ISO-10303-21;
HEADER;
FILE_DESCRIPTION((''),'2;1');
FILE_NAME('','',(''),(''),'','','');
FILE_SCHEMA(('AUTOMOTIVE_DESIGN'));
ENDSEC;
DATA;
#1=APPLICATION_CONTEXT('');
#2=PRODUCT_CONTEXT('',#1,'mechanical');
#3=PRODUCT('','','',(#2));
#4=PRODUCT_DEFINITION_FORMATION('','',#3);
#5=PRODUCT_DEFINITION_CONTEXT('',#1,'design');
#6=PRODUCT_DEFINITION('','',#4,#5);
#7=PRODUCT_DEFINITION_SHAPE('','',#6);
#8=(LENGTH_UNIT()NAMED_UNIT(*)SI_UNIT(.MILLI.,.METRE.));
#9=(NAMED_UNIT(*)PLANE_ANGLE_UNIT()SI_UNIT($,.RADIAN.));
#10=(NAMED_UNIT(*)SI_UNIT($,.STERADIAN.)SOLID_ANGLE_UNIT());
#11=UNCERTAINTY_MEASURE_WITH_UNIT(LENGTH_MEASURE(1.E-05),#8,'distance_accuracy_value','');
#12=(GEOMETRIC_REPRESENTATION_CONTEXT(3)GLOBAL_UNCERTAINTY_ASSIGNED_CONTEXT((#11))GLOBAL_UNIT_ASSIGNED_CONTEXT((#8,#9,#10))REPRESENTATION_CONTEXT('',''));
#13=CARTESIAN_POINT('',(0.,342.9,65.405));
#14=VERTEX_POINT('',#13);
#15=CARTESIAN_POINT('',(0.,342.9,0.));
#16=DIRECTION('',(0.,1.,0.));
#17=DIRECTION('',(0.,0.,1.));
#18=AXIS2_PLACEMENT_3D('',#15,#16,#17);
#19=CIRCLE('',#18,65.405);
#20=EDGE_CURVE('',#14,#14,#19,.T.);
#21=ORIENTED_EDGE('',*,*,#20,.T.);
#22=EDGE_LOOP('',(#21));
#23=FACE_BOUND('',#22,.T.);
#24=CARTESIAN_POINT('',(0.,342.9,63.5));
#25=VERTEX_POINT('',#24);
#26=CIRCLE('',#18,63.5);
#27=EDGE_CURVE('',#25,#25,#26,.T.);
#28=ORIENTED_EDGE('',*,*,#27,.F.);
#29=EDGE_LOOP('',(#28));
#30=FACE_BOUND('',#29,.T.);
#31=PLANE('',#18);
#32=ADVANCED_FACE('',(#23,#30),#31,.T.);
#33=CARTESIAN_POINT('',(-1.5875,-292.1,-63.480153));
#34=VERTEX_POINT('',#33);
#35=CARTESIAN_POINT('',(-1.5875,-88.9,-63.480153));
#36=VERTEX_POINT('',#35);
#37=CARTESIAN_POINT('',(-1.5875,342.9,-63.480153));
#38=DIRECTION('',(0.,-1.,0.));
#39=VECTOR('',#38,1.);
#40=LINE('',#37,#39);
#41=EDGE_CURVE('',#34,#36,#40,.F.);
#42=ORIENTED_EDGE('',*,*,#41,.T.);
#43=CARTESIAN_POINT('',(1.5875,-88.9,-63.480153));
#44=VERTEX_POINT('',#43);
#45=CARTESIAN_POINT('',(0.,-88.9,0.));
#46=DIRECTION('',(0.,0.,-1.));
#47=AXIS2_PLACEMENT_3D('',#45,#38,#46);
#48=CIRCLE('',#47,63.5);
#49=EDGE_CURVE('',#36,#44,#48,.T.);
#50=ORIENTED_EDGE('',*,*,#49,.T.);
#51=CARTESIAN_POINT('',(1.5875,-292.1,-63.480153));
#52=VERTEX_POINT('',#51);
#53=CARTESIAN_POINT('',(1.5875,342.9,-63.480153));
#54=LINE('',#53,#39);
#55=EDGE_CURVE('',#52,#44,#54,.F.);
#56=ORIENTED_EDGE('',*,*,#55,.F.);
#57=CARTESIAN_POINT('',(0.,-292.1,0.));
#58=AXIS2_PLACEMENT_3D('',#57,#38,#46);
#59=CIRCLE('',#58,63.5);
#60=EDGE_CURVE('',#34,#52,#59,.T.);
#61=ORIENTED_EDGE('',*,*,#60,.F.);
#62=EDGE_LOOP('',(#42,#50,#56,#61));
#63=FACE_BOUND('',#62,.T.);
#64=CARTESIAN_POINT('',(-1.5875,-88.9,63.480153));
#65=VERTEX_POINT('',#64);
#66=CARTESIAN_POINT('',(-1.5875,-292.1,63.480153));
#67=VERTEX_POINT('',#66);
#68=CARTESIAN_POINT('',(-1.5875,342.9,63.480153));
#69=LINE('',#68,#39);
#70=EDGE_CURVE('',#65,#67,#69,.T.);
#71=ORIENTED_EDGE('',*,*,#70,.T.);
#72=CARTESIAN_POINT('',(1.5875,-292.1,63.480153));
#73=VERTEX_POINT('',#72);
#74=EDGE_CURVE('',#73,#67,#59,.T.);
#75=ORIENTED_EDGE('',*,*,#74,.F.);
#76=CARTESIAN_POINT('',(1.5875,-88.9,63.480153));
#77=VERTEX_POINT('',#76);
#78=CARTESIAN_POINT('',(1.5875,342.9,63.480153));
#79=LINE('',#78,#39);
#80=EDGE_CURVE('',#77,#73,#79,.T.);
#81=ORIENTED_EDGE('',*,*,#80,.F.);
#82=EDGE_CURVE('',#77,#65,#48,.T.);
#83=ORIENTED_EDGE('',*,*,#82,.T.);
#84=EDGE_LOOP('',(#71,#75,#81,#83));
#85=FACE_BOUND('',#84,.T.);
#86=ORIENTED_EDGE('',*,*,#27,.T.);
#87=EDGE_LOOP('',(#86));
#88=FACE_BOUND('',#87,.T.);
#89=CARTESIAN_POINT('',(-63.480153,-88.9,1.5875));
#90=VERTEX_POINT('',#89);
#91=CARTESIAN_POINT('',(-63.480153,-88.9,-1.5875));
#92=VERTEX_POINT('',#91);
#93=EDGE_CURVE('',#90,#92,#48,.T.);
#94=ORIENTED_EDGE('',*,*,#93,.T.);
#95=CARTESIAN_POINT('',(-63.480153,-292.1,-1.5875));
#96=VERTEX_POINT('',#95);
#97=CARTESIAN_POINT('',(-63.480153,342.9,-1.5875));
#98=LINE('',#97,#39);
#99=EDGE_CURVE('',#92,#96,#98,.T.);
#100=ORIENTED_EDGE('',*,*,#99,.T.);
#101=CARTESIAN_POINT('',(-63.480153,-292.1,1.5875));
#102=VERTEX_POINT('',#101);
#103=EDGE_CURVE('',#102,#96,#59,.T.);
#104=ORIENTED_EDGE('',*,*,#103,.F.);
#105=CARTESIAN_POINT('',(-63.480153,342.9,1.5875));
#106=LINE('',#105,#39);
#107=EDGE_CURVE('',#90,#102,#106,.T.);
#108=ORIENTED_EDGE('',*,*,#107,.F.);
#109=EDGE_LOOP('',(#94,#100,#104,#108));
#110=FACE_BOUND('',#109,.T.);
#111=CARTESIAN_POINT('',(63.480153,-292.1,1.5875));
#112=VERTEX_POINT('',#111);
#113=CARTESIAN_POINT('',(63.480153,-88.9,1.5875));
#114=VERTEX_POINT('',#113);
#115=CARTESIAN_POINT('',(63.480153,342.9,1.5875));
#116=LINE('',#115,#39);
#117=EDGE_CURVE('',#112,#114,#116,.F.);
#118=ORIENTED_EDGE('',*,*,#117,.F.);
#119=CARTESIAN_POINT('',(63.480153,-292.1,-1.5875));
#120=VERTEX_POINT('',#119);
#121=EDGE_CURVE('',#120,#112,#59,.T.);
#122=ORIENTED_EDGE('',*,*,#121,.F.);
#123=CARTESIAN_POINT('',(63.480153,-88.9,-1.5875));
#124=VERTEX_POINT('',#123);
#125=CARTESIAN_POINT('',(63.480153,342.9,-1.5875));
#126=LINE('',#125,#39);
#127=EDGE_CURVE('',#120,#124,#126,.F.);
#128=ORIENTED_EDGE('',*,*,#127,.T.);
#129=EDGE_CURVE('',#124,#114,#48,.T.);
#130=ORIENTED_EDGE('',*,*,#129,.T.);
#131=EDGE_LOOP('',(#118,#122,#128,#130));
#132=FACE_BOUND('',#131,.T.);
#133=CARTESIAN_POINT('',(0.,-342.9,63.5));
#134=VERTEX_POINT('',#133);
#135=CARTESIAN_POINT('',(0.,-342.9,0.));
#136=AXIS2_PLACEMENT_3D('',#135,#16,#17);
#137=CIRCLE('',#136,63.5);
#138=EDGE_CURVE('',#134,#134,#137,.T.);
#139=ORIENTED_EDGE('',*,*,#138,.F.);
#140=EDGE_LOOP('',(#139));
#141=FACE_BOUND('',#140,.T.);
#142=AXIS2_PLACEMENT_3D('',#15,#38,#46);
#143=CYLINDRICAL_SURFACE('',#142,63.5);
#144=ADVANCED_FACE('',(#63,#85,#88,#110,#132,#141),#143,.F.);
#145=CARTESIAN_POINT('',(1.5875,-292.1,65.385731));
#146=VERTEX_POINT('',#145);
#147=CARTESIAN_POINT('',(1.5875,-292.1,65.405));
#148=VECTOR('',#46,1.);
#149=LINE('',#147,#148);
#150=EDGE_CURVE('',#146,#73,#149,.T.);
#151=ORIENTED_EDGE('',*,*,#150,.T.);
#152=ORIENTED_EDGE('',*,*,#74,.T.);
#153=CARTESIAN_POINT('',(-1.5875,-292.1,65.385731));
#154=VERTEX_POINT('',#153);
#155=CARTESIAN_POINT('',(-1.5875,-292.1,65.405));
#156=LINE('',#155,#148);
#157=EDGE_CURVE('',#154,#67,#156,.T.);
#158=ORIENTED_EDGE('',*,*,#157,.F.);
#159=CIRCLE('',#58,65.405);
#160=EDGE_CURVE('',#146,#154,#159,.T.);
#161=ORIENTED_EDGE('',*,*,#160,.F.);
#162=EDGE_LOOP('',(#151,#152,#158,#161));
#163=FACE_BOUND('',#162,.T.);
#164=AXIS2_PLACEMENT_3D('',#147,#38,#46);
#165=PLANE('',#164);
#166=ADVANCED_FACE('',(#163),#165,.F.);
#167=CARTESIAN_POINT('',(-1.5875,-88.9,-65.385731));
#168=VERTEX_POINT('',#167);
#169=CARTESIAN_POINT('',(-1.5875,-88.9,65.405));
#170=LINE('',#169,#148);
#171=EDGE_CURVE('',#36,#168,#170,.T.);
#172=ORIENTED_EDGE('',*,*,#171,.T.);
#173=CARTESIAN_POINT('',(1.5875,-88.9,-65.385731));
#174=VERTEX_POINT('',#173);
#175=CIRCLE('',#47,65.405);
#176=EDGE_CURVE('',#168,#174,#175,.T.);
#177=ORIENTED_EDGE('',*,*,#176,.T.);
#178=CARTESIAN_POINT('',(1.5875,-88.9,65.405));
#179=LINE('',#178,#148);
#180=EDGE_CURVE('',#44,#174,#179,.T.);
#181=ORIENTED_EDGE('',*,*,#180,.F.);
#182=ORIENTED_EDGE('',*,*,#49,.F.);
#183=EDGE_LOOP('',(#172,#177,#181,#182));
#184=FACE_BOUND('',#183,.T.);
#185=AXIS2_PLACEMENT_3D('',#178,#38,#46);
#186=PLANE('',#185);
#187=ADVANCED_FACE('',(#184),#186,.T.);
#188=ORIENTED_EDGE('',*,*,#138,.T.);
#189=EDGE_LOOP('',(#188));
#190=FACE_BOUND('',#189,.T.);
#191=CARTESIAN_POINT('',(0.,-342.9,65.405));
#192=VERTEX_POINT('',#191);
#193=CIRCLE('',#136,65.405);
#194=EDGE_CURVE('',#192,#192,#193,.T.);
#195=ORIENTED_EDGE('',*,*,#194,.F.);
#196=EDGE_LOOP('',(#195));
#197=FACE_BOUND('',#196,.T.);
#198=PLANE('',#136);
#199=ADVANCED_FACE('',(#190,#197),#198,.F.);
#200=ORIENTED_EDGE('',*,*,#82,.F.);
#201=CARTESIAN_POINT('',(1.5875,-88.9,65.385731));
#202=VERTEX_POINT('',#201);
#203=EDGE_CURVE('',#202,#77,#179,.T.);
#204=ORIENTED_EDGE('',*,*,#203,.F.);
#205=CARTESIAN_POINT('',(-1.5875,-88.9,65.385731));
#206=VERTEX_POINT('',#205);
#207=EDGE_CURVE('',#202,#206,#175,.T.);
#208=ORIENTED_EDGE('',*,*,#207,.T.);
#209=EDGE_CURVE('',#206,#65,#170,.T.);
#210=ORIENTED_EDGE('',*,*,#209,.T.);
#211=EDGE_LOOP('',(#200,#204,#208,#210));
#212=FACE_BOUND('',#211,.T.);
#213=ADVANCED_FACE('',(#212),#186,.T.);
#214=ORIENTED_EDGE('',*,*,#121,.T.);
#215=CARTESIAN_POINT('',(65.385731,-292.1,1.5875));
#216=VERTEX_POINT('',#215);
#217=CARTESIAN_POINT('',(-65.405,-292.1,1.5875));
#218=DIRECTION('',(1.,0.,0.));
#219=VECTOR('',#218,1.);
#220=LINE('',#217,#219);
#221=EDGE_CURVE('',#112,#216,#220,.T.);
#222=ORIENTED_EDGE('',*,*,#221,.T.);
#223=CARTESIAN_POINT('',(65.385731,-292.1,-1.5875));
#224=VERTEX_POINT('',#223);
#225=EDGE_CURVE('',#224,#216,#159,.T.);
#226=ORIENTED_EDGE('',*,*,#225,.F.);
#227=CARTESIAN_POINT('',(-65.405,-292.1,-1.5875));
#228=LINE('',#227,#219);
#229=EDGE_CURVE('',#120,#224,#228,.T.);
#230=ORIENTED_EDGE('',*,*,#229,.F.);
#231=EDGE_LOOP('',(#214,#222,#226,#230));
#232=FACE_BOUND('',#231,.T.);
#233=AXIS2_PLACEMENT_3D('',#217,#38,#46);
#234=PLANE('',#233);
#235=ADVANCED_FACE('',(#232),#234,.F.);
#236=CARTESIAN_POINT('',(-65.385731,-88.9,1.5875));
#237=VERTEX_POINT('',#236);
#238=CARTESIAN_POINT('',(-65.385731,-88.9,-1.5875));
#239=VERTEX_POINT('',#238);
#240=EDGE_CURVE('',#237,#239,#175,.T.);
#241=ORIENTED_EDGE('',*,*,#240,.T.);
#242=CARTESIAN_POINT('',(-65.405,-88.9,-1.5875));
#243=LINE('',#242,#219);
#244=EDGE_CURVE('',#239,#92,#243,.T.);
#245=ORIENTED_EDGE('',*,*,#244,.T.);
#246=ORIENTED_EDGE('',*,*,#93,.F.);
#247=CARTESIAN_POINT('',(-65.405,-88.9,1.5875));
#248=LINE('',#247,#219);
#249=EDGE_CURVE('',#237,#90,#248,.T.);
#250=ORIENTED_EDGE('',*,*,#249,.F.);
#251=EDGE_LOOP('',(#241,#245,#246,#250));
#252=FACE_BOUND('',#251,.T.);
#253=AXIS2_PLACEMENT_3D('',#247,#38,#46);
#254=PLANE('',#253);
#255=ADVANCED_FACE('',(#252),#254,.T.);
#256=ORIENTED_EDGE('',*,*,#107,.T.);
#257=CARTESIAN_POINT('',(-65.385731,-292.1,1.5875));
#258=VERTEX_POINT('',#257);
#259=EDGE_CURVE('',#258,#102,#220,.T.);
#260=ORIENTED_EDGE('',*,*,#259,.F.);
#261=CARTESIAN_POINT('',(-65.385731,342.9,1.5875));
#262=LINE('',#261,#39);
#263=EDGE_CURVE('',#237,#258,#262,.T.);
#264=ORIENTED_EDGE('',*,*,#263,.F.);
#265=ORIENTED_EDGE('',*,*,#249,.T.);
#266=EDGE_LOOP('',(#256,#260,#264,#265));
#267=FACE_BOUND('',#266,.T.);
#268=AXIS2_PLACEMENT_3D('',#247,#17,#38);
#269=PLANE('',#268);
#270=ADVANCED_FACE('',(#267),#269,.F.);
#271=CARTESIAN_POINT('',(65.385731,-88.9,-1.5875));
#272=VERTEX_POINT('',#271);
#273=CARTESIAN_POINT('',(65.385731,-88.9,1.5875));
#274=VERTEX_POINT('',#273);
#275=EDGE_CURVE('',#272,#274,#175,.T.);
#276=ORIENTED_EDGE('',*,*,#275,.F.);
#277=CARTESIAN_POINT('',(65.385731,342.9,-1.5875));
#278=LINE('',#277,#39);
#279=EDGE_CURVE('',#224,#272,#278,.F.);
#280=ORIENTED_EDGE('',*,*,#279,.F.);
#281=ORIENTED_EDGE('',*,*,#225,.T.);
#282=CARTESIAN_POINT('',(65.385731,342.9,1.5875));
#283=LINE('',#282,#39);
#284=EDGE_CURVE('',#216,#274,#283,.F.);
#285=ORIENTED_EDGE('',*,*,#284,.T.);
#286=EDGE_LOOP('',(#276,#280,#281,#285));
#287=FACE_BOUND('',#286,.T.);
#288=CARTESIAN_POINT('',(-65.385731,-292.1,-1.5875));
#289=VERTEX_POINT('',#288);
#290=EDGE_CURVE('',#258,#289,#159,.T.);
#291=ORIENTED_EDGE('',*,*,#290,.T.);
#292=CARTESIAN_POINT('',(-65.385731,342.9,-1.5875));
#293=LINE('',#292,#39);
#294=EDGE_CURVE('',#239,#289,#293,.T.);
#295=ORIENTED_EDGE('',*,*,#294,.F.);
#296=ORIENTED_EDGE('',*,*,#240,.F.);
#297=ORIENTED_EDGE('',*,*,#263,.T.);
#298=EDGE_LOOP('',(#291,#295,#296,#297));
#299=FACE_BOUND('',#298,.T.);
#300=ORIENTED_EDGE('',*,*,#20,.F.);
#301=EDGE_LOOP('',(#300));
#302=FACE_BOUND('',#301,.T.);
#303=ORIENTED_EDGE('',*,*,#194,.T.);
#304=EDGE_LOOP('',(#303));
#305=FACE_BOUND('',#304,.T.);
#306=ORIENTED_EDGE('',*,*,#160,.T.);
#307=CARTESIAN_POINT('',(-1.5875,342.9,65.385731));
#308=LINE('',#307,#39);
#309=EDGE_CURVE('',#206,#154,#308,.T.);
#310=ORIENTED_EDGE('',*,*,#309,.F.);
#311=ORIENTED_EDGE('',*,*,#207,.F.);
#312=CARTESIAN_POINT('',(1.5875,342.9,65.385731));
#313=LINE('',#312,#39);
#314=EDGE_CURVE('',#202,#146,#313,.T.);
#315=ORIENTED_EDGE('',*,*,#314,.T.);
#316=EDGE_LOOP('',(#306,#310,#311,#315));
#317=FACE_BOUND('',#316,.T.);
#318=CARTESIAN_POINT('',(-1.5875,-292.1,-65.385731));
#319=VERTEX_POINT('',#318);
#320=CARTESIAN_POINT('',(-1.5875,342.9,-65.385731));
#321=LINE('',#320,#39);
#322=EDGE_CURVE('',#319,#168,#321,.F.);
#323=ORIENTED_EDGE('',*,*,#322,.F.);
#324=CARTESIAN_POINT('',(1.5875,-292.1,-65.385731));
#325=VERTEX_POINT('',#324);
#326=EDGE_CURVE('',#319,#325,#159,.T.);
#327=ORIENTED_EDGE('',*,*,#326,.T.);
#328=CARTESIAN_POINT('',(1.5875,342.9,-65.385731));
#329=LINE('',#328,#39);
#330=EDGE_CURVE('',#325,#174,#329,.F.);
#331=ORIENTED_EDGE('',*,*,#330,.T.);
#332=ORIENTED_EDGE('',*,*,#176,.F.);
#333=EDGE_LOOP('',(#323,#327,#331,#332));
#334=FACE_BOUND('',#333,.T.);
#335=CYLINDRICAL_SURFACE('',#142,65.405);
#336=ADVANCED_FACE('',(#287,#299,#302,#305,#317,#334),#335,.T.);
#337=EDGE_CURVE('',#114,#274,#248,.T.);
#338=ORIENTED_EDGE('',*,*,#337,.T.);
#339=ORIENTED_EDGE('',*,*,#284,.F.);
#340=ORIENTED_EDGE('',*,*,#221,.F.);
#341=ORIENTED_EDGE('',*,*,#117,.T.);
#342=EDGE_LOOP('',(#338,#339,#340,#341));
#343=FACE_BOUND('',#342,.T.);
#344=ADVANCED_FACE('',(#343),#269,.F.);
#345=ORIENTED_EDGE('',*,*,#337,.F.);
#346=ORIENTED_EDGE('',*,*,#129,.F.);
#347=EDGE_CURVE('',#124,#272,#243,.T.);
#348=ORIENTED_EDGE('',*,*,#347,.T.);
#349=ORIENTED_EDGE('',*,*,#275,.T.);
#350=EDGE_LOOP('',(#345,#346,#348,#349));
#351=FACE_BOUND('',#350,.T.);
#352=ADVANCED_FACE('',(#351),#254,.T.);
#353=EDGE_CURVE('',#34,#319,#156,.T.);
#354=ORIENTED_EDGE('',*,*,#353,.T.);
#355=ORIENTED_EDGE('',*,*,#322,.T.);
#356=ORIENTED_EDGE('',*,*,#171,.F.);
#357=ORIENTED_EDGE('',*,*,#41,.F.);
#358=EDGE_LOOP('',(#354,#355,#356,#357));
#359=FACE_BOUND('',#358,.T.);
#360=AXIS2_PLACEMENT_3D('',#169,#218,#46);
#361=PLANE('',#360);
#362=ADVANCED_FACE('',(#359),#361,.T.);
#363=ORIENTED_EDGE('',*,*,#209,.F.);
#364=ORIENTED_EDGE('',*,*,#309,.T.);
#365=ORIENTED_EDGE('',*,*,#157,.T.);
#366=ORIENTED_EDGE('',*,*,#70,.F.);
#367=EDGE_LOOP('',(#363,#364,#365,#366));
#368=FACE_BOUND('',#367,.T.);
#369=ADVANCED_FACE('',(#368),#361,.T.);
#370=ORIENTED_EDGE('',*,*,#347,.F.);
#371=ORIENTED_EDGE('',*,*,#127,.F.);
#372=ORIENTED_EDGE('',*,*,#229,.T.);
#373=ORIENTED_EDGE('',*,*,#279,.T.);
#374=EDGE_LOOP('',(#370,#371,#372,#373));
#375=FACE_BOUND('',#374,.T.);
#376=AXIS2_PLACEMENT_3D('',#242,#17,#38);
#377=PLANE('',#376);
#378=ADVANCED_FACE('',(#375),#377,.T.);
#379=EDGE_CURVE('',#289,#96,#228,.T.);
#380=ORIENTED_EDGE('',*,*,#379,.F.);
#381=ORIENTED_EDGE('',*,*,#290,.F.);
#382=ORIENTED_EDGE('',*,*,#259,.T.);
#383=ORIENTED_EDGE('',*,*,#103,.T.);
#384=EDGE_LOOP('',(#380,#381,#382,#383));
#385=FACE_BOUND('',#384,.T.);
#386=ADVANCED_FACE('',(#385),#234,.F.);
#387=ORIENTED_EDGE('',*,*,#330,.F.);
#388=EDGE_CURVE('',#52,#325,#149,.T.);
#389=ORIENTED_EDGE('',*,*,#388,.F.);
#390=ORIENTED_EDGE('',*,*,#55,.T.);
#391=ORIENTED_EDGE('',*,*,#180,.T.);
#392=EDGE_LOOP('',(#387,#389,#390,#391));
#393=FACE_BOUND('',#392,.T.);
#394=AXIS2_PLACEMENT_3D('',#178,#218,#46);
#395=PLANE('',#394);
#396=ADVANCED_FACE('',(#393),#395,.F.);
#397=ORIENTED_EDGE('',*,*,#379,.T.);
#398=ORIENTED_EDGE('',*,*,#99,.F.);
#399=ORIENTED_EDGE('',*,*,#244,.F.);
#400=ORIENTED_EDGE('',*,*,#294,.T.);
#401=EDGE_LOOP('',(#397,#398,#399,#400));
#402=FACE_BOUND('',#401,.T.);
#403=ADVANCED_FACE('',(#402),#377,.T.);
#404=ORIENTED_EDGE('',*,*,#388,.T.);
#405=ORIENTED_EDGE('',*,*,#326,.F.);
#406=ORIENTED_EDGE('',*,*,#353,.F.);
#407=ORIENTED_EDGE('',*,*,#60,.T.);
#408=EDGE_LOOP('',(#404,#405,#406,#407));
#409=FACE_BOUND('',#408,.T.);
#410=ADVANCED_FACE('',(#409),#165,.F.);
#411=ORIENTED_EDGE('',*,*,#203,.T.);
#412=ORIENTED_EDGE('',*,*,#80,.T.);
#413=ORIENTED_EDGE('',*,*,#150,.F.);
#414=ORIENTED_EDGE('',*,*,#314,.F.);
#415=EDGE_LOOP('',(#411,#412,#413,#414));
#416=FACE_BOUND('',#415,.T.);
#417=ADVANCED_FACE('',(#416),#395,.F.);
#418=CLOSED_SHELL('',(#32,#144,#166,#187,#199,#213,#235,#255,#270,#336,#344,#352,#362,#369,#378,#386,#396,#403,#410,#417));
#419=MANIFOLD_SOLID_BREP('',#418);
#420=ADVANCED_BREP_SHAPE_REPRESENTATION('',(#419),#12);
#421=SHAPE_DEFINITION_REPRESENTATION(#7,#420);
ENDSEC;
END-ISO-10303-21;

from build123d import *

# Parameters (mm, degrees)
SKETCH1_R           = 65.405
SKETCH1_R_2         = 63.5
BOSS_EXTRUDE1_DEPTH = 342.9
SKETCH4_W           = 3.175
SKETCH4_H           = 203.2
CUT_EXTRUDE2_DEPTH  = 66.405
CIRPATTERN4_COUNT   = 2
CIRPATTERN4_ANGLE   = 90


with BuildPart() as part:
    # Sketch1 → Boss-Extrude1 (new body, symmetric)
    with BuildSketch(Plane(origin=(0, 0, 0), x_dir=(1, 0, 0), z_dir=(0, 1, 0))):
        Circle(SKETCH1_R)
        Circle(SKETCH1_R_2, mode=Mode.SUBTRACT)
    extrude(amount=BOSS_EXTRUDE1_DEPTH, both=True)

    # Sketch4 → Cut-Extrude2 (cut, symmetric)
    with BuildSketch(Plane(origin=(0, 0, 0), x_dir=(0, 0, -1), z_dir=(1, 0, 0))):
        with Locations((0, -190.5)):
            Rectangle(SKETCH4_W, SKETCH4_H)
    cut_extrude2 = extrude(amount=CUT_EXTRUDE2_DEPTH, both=True, mode=Mode.SUBTRACT)

    # CirPattern4: Cut-Extrude2 ×2 about axis
    cirpattern4_axis = Axis((0, 342.9, 0), (0, -1, 0))
    for i in range(1, CIRPATTERN4_COUNT):
        add(cut_extrude2.rotate(cirpattern4_axis, i * CIRPATTERN4_ANGLE / (CIRPATTERN4_COUNT - 1)), mode=Mode.SUBTRACT)


solid = part.part
